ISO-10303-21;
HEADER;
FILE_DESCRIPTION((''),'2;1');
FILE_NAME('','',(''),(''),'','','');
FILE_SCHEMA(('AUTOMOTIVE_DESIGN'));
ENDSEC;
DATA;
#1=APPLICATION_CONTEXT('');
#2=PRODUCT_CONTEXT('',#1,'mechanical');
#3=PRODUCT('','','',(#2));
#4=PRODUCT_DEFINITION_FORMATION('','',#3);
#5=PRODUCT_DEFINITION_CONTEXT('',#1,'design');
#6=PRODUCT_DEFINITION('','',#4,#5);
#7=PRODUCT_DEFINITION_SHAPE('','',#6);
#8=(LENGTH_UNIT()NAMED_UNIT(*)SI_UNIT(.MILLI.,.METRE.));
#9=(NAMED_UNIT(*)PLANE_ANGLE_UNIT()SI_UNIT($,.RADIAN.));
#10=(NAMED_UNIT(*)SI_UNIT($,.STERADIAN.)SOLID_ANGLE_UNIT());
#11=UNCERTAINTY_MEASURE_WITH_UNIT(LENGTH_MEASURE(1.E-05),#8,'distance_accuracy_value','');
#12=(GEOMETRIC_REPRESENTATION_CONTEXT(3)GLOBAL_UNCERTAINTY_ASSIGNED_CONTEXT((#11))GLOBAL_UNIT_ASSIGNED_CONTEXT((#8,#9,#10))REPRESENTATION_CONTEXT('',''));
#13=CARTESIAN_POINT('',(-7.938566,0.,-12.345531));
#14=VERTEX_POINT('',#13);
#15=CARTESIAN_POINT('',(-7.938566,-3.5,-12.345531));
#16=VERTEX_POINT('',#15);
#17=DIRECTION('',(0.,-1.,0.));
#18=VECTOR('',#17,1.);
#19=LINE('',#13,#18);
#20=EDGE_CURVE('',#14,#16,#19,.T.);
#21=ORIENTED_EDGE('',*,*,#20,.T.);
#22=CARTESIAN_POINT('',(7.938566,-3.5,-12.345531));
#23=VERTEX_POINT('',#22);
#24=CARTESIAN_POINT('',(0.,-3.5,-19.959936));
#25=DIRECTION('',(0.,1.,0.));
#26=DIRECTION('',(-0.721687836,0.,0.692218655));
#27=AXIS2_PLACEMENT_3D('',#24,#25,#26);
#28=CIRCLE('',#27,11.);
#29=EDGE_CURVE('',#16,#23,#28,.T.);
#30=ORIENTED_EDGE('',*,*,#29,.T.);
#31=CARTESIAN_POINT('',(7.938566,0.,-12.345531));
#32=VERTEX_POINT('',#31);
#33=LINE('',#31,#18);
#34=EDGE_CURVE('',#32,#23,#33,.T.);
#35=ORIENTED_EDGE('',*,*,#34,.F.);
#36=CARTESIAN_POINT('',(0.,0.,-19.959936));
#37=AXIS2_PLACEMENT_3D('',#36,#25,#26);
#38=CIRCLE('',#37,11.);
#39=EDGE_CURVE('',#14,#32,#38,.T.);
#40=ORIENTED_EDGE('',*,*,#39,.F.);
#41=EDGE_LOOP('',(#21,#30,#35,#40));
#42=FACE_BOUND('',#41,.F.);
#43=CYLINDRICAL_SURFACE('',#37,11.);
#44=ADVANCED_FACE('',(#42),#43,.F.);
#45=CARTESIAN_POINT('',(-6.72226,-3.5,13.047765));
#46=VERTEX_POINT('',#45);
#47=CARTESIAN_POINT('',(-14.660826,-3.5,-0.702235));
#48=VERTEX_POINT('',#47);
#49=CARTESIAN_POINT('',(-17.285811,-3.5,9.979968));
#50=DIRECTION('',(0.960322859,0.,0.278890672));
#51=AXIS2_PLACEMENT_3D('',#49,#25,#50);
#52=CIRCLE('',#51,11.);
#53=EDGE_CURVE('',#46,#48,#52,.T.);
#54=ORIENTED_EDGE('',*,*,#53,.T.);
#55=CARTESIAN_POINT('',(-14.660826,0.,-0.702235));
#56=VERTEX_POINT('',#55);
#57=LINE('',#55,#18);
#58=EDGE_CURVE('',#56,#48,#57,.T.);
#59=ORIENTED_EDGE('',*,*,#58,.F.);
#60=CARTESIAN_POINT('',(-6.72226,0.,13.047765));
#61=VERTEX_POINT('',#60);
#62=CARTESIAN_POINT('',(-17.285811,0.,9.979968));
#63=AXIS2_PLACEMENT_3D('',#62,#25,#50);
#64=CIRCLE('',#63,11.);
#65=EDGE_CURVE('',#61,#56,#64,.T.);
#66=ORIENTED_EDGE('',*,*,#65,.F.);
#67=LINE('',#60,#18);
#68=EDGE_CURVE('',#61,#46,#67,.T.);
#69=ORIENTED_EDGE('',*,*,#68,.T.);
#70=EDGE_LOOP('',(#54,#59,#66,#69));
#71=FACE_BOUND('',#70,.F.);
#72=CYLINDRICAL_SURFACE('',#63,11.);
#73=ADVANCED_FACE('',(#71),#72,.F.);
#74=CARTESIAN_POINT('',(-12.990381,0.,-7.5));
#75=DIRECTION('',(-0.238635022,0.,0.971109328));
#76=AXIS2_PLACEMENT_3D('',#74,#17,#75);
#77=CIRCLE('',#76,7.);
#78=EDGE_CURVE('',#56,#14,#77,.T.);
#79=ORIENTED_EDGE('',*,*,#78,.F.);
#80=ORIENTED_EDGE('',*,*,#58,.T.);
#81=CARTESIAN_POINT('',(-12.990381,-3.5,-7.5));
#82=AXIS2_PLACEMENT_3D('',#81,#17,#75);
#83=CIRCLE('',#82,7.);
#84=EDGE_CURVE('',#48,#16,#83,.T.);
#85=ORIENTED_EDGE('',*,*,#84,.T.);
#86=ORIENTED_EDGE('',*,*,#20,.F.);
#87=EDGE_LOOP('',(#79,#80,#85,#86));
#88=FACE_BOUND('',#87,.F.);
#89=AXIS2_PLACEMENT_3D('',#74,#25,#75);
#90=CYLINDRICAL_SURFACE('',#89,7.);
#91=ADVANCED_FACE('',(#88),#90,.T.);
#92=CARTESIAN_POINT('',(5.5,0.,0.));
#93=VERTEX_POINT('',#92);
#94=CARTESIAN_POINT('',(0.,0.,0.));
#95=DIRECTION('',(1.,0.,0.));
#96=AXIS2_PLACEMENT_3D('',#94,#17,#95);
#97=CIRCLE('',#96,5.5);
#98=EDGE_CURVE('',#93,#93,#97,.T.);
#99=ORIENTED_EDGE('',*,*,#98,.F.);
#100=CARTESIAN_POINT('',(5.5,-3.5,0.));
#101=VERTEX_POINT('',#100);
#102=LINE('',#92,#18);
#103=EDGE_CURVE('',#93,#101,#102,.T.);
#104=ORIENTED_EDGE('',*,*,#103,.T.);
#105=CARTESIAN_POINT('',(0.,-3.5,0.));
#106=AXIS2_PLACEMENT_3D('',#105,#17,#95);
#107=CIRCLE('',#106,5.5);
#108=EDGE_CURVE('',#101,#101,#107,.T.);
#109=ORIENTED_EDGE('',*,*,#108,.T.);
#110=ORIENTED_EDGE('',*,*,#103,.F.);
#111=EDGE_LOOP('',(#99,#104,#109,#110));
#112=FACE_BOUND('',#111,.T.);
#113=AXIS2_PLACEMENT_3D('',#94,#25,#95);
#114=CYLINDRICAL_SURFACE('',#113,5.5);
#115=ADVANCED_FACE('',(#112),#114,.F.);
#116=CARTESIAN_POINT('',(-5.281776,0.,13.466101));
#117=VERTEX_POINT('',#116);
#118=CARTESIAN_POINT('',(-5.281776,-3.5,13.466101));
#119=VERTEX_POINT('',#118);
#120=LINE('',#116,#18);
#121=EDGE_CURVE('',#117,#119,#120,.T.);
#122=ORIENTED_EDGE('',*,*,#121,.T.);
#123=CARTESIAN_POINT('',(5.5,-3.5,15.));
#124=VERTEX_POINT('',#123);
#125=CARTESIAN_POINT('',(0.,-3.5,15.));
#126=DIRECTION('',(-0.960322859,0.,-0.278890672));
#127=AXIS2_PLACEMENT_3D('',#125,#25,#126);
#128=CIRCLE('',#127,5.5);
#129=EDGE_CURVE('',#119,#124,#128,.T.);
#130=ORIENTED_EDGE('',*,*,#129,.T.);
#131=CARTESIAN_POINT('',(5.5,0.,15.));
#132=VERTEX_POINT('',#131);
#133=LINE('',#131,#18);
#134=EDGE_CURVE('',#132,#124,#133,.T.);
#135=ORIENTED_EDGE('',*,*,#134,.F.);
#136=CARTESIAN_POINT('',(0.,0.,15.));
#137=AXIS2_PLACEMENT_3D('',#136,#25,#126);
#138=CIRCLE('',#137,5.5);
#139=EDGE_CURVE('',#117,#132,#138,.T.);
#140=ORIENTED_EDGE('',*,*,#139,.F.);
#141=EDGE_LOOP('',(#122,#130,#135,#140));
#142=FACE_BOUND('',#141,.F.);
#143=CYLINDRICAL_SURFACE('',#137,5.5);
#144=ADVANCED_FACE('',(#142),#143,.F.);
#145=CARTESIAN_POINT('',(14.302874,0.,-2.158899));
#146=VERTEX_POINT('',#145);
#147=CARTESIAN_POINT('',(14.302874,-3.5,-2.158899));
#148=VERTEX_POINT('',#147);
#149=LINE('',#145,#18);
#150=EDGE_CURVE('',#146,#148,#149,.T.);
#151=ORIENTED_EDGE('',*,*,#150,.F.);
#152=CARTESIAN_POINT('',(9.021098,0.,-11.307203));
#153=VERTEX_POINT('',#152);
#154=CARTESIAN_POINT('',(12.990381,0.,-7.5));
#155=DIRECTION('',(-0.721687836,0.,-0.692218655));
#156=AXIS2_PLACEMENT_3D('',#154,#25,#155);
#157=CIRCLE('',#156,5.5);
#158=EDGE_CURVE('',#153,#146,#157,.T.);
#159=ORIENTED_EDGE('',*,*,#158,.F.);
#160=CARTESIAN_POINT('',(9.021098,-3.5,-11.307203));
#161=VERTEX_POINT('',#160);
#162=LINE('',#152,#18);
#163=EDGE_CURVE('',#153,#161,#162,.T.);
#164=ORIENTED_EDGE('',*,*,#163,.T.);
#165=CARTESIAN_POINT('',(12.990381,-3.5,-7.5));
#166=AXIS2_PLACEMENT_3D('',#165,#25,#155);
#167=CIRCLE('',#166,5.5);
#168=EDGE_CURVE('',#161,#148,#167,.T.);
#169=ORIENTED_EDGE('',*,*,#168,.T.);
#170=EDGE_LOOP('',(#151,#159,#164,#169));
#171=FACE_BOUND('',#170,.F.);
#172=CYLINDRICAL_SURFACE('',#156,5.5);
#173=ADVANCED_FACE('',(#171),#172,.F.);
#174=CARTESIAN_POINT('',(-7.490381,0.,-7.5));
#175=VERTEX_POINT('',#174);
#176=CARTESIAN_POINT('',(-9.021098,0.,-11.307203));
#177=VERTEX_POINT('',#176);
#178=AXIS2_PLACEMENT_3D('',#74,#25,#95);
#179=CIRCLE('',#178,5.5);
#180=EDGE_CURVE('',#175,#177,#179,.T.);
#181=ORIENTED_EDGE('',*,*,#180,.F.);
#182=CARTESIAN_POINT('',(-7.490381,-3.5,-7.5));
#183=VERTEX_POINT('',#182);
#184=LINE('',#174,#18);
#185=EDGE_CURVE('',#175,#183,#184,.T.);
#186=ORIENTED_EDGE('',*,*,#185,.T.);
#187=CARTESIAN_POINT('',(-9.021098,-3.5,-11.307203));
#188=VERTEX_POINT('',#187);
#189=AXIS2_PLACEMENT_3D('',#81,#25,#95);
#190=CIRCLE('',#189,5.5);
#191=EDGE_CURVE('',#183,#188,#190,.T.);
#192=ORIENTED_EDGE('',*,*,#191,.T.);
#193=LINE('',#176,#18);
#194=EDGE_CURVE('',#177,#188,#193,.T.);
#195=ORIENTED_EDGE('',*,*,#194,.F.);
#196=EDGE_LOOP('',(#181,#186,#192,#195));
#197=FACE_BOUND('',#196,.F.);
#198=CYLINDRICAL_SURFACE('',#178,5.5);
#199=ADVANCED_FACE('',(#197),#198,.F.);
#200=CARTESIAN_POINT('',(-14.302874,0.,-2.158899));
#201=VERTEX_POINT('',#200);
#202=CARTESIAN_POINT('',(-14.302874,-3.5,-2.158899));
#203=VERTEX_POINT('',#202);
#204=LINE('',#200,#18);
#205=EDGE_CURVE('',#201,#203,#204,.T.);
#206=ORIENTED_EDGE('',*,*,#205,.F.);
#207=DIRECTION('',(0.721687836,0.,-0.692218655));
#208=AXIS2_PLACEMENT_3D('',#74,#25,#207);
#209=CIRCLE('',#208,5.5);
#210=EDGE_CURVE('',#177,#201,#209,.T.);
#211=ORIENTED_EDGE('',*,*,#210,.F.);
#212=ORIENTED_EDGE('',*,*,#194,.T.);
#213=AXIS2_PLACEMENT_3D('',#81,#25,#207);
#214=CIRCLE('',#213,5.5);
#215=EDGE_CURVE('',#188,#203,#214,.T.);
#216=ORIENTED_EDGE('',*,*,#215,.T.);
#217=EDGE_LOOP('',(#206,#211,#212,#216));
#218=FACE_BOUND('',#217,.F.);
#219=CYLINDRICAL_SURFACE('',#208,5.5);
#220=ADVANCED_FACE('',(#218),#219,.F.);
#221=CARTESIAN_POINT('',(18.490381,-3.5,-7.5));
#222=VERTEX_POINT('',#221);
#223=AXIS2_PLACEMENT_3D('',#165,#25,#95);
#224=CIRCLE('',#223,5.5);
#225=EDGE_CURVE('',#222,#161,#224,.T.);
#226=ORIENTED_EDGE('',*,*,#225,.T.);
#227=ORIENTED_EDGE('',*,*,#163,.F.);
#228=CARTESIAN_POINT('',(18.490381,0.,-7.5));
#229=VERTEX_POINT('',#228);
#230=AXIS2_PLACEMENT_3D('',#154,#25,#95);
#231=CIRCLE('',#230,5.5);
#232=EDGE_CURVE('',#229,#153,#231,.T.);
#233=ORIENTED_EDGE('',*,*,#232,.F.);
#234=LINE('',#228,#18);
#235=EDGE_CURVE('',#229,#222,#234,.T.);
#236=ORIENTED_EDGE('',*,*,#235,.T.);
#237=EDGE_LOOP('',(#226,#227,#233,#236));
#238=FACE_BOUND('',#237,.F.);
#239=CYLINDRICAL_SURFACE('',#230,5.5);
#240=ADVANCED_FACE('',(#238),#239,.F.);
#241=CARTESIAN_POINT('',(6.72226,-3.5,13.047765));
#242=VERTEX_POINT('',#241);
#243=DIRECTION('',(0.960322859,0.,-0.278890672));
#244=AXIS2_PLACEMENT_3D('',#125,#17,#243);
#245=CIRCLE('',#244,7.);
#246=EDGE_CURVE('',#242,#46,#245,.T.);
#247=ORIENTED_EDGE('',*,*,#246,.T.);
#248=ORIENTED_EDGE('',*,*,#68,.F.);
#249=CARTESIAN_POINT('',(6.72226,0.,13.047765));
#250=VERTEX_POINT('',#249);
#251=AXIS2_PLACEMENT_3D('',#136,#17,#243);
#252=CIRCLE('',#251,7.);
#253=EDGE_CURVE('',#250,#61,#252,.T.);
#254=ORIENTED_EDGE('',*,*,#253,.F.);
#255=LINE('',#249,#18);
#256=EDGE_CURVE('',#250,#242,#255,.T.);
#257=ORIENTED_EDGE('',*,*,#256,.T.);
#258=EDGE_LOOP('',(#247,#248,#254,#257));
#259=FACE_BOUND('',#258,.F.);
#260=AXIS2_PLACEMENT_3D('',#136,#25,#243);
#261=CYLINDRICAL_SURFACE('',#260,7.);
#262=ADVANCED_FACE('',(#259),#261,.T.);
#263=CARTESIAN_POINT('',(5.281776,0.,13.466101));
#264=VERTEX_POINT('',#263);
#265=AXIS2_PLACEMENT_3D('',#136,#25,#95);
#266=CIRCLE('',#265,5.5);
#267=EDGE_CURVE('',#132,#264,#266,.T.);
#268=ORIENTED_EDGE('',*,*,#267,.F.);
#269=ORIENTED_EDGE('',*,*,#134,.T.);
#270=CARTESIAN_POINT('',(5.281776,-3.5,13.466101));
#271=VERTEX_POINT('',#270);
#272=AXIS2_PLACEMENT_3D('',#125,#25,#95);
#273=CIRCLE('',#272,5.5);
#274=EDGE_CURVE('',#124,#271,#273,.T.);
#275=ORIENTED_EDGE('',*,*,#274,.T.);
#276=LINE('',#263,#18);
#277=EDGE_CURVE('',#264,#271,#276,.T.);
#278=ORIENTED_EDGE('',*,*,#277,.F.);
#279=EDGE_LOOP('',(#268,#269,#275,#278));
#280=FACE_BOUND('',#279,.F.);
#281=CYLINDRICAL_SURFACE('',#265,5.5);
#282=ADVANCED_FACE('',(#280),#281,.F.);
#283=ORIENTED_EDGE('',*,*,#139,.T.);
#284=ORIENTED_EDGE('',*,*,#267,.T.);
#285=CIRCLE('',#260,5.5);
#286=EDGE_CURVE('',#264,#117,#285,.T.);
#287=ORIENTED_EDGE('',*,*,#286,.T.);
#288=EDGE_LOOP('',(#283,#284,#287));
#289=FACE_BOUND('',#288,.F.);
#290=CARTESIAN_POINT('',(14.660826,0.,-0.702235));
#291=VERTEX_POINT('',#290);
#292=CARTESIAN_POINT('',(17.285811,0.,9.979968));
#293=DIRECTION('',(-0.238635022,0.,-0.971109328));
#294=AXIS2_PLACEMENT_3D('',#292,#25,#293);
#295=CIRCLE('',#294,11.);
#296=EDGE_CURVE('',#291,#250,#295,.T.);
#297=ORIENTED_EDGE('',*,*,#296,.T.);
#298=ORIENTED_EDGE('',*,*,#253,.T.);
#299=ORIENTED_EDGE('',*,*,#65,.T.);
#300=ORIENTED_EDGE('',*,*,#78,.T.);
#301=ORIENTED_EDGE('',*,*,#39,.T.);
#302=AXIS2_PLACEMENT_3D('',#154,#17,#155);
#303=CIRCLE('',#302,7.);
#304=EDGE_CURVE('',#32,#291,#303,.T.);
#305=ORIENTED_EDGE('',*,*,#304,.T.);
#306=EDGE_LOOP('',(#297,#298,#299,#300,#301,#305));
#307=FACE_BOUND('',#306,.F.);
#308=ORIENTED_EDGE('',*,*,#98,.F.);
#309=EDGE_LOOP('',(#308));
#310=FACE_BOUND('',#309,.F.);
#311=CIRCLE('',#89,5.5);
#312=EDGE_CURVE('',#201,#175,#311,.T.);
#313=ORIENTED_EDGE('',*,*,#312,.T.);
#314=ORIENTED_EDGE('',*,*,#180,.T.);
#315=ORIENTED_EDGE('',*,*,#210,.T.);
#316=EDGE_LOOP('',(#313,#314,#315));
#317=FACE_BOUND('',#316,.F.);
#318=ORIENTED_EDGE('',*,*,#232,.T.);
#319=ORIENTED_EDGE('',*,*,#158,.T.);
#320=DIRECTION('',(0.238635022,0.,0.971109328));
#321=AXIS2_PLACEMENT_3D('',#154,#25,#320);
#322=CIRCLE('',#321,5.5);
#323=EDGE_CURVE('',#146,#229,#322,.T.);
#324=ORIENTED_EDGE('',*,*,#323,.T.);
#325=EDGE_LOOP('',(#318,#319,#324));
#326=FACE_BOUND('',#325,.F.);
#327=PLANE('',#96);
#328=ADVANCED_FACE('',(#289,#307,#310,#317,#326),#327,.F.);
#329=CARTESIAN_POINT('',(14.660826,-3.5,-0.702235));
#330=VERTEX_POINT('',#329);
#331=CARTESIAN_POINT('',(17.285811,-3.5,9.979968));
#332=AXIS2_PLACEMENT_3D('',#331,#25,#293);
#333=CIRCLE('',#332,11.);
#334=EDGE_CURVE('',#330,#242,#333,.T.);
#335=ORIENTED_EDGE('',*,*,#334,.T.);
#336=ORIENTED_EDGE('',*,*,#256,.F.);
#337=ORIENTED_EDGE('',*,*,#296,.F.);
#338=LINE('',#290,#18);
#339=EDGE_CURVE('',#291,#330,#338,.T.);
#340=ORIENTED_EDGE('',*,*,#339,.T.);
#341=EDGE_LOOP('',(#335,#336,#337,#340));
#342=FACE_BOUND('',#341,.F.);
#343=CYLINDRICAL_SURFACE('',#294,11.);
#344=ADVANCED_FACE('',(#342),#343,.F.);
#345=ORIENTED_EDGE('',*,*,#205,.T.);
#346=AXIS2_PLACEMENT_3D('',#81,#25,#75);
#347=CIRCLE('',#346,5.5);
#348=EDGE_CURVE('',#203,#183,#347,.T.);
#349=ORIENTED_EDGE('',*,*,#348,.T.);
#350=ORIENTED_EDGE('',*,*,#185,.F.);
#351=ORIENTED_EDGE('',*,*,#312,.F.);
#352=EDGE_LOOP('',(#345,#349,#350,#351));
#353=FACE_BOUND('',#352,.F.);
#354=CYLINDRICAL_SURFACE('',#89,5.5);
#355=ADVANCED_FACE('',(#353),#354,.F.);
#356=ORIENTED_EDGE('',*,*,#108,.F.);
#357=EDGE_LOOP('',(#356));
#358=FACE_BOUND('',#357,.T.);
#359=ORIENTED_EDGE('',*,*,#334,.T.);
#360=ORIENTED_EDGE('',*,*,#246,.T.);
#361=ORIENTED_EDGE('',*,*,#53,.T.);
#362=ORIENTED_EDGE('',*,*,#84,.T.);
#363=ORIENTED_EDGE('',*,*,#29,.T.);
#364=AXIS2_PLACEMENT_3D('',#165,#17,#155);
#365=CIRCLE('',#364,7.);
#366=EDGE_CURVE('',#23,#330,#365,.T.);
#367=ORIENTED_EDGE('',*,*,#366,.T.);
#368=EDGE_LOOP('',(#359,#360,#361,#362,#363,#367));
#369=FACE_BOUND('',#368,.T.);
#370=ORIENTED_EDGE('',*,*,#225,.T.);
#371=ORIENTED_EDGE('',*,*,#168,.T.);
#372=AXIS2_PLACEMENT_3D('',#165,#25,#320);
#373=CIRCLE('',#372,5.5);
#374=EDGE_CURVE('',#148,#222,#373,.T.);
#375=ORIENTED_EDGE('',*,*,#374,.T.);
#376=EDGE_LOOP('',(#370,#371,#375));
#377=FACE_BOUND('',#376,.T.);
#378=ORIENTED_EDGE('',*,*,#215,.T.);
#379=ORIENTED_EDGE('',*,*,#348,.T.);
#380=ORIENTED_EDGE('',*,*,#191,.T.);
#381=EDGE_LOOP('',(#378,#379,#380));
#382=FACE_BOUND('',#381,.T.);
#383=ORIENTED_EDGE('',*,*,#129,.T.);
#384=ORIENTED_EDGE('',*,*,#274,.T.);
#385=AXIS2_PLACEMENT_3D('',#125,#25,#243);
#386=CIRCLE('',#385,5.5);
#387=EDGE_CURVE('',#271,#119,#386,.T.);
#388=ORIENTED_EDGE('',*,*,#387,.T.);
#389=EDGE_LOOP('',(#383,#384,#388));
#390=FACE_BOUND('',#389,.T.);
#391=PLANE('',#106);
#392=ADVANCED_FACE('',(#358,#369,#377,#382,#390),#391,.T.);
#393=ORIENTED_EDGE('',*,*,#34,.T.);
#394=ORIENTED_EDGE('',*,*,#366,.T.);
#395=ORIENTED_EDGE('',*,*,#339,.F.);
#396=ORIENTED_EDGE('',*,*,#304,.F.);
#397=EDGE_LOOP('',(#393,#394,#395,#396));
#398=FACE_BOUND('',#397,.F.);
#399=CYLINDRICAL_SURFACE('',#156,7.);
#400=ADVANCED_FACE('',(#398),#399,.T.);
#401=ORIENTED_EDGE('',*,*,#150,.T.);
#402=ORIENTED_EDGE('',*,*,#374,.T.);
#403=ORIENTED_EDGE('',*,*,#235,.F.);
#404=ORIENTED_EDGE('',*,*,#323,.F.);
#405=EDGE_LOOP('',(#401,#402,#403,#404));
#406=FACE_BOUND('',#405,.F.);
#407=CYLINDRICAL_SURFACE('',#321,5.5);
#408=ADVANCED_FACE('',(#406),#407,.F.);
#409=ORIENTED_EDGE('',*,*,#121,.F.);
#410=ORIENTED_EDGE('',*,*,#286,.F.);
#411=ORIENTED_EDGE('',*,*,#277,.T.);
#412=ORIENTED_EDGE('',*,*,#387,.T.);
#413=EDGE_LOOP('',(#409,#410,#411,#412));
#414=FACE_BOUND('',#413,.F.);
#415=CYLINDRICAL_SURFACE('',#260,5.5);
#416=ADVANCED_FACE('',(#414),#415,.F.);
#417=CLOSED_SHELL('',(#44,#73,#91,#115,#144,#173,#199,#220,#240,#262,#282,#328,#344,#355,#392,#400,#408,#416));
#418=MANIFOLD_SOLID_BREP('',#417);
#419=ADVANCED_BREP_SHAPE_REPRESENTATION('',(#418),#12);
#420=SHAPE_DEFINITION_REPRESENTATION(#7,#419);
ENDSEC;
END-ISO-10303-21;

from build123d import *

# Parameters (mm, degrees)
F0_R     = 11
F1_DEPTH = 7
F2_SCALE = 0.5


with BuildPart() as f1:
    # F0 (on Front) → F1 (new body)
    with BuildSketch(Plane.XZ):
        with BuildLine():
            ThreePointArc((29.3216524239, -1.4044694133), (15.5190640284, 8.9599357944), (13.4445200212, 26.0955305867))
            ThreePointArc((13.4445200212, 26.0955305867), (0, 44), (-13.4445200212, 26.0955305867))
            ThreePointArc((-13.4445200212, 26.0955305867), (-15.5190640284, 8.9599357944), (-29.3216524239, -1.4044694133))
            ThreePointArc((-29.3216524239, -1.4044694133), (-38.1051177665, -22), (-15.8771324027, -24.6910611734))
            ThreePointArc((-15.8771324027, -24.6910611734), (0, -17.9198715888), (15.8771324027, -24.6910611734))
            ThreePointArc((15.8771324027, -24.6910611734), (38.1051177665, -22), (29.3216524239, -1.4044694133))
        make_face()
        with BuildLine():
            ThreePointArc((11, 30), (10.8903412687, 28.4506559287), (10.5635514452, 26.9322026038))
            ThreePointArc((10.5635514452, 26.9322026038), (12.9209878171, 7.4599357944), (28.6057473574, -4.3177973962))
            ThreePointArc((28.6057473574, -4.3177973962), (34.6374022725, -8.2130580407), (36.9807621135, -15))
            ThreePointArc((36.9807621135, -15), (30.084161423, -25.2059842302), (18.0421959122, -22.6144052077))
            ThreePointArc((18.0421959122, -22.6144052077), (0, -14.9198715888), (-18.0421959122, -22.6144052077))
            ThreePointArc((-18.0421959122, -22.6144052077), (-35.5070415552, -20.5), (-28.6057473574, -4.3177973962))
            ThreePointArc((-28.6057473574, -4.3177973962), (-12.9209878171, 7.4599357944), (-10.5635514452, 26.9322026038))
            ThreePointArc((-10.5635514452, 26.9322026038), (-1.5493440713, 40.8903412687), (11, 30))
        make_face(mode=Mode.SUBTRACT)
        with BuildLine():
            ThreePointArc((28.6057473574, -4.3177973962), (12.9209878171, 7.4599357944), (10.5635514452, 26.9322026038))
            ThreePointArc((10.5635514452, 26.9322026038), (0, 19), (-10.5635514452, 26.9322026038))
            ThreePointArc((-10.5635514452, 26.9322026038), (-12.9209878171, 7.4599357944), (-28.6057473574, -4.3177973962))
            ThreePointArc((-28.6057473574, -4.3177973962), (-19.1938201542, -6.3433598411), (-14.9807621135, -15))
            ThreePointArc((-14.9807621135, -15), (-15.7747778833, -19.1033993094), (-18.0421959122, -22.6144052077))
            ThreePointArc((-18.0421959122, -22.6144052077), (0, -14.9198715888), (18.0421959122, -22.6144052077))
            ThreePointArc((18.0421959122, -22.6144052077), (16.4544826719, -9.5), (28.6057473574, -4.3177973962))
        make_face()
        Circle(F0_R, mode=Mode.SUBTRACT)
    extrude(amount=F1_DEPTH)


with BuildPart() as f1_1:
    # F2: moved
    add(f1.part.scale(F2_SCALE))


solid = f1_1.part
